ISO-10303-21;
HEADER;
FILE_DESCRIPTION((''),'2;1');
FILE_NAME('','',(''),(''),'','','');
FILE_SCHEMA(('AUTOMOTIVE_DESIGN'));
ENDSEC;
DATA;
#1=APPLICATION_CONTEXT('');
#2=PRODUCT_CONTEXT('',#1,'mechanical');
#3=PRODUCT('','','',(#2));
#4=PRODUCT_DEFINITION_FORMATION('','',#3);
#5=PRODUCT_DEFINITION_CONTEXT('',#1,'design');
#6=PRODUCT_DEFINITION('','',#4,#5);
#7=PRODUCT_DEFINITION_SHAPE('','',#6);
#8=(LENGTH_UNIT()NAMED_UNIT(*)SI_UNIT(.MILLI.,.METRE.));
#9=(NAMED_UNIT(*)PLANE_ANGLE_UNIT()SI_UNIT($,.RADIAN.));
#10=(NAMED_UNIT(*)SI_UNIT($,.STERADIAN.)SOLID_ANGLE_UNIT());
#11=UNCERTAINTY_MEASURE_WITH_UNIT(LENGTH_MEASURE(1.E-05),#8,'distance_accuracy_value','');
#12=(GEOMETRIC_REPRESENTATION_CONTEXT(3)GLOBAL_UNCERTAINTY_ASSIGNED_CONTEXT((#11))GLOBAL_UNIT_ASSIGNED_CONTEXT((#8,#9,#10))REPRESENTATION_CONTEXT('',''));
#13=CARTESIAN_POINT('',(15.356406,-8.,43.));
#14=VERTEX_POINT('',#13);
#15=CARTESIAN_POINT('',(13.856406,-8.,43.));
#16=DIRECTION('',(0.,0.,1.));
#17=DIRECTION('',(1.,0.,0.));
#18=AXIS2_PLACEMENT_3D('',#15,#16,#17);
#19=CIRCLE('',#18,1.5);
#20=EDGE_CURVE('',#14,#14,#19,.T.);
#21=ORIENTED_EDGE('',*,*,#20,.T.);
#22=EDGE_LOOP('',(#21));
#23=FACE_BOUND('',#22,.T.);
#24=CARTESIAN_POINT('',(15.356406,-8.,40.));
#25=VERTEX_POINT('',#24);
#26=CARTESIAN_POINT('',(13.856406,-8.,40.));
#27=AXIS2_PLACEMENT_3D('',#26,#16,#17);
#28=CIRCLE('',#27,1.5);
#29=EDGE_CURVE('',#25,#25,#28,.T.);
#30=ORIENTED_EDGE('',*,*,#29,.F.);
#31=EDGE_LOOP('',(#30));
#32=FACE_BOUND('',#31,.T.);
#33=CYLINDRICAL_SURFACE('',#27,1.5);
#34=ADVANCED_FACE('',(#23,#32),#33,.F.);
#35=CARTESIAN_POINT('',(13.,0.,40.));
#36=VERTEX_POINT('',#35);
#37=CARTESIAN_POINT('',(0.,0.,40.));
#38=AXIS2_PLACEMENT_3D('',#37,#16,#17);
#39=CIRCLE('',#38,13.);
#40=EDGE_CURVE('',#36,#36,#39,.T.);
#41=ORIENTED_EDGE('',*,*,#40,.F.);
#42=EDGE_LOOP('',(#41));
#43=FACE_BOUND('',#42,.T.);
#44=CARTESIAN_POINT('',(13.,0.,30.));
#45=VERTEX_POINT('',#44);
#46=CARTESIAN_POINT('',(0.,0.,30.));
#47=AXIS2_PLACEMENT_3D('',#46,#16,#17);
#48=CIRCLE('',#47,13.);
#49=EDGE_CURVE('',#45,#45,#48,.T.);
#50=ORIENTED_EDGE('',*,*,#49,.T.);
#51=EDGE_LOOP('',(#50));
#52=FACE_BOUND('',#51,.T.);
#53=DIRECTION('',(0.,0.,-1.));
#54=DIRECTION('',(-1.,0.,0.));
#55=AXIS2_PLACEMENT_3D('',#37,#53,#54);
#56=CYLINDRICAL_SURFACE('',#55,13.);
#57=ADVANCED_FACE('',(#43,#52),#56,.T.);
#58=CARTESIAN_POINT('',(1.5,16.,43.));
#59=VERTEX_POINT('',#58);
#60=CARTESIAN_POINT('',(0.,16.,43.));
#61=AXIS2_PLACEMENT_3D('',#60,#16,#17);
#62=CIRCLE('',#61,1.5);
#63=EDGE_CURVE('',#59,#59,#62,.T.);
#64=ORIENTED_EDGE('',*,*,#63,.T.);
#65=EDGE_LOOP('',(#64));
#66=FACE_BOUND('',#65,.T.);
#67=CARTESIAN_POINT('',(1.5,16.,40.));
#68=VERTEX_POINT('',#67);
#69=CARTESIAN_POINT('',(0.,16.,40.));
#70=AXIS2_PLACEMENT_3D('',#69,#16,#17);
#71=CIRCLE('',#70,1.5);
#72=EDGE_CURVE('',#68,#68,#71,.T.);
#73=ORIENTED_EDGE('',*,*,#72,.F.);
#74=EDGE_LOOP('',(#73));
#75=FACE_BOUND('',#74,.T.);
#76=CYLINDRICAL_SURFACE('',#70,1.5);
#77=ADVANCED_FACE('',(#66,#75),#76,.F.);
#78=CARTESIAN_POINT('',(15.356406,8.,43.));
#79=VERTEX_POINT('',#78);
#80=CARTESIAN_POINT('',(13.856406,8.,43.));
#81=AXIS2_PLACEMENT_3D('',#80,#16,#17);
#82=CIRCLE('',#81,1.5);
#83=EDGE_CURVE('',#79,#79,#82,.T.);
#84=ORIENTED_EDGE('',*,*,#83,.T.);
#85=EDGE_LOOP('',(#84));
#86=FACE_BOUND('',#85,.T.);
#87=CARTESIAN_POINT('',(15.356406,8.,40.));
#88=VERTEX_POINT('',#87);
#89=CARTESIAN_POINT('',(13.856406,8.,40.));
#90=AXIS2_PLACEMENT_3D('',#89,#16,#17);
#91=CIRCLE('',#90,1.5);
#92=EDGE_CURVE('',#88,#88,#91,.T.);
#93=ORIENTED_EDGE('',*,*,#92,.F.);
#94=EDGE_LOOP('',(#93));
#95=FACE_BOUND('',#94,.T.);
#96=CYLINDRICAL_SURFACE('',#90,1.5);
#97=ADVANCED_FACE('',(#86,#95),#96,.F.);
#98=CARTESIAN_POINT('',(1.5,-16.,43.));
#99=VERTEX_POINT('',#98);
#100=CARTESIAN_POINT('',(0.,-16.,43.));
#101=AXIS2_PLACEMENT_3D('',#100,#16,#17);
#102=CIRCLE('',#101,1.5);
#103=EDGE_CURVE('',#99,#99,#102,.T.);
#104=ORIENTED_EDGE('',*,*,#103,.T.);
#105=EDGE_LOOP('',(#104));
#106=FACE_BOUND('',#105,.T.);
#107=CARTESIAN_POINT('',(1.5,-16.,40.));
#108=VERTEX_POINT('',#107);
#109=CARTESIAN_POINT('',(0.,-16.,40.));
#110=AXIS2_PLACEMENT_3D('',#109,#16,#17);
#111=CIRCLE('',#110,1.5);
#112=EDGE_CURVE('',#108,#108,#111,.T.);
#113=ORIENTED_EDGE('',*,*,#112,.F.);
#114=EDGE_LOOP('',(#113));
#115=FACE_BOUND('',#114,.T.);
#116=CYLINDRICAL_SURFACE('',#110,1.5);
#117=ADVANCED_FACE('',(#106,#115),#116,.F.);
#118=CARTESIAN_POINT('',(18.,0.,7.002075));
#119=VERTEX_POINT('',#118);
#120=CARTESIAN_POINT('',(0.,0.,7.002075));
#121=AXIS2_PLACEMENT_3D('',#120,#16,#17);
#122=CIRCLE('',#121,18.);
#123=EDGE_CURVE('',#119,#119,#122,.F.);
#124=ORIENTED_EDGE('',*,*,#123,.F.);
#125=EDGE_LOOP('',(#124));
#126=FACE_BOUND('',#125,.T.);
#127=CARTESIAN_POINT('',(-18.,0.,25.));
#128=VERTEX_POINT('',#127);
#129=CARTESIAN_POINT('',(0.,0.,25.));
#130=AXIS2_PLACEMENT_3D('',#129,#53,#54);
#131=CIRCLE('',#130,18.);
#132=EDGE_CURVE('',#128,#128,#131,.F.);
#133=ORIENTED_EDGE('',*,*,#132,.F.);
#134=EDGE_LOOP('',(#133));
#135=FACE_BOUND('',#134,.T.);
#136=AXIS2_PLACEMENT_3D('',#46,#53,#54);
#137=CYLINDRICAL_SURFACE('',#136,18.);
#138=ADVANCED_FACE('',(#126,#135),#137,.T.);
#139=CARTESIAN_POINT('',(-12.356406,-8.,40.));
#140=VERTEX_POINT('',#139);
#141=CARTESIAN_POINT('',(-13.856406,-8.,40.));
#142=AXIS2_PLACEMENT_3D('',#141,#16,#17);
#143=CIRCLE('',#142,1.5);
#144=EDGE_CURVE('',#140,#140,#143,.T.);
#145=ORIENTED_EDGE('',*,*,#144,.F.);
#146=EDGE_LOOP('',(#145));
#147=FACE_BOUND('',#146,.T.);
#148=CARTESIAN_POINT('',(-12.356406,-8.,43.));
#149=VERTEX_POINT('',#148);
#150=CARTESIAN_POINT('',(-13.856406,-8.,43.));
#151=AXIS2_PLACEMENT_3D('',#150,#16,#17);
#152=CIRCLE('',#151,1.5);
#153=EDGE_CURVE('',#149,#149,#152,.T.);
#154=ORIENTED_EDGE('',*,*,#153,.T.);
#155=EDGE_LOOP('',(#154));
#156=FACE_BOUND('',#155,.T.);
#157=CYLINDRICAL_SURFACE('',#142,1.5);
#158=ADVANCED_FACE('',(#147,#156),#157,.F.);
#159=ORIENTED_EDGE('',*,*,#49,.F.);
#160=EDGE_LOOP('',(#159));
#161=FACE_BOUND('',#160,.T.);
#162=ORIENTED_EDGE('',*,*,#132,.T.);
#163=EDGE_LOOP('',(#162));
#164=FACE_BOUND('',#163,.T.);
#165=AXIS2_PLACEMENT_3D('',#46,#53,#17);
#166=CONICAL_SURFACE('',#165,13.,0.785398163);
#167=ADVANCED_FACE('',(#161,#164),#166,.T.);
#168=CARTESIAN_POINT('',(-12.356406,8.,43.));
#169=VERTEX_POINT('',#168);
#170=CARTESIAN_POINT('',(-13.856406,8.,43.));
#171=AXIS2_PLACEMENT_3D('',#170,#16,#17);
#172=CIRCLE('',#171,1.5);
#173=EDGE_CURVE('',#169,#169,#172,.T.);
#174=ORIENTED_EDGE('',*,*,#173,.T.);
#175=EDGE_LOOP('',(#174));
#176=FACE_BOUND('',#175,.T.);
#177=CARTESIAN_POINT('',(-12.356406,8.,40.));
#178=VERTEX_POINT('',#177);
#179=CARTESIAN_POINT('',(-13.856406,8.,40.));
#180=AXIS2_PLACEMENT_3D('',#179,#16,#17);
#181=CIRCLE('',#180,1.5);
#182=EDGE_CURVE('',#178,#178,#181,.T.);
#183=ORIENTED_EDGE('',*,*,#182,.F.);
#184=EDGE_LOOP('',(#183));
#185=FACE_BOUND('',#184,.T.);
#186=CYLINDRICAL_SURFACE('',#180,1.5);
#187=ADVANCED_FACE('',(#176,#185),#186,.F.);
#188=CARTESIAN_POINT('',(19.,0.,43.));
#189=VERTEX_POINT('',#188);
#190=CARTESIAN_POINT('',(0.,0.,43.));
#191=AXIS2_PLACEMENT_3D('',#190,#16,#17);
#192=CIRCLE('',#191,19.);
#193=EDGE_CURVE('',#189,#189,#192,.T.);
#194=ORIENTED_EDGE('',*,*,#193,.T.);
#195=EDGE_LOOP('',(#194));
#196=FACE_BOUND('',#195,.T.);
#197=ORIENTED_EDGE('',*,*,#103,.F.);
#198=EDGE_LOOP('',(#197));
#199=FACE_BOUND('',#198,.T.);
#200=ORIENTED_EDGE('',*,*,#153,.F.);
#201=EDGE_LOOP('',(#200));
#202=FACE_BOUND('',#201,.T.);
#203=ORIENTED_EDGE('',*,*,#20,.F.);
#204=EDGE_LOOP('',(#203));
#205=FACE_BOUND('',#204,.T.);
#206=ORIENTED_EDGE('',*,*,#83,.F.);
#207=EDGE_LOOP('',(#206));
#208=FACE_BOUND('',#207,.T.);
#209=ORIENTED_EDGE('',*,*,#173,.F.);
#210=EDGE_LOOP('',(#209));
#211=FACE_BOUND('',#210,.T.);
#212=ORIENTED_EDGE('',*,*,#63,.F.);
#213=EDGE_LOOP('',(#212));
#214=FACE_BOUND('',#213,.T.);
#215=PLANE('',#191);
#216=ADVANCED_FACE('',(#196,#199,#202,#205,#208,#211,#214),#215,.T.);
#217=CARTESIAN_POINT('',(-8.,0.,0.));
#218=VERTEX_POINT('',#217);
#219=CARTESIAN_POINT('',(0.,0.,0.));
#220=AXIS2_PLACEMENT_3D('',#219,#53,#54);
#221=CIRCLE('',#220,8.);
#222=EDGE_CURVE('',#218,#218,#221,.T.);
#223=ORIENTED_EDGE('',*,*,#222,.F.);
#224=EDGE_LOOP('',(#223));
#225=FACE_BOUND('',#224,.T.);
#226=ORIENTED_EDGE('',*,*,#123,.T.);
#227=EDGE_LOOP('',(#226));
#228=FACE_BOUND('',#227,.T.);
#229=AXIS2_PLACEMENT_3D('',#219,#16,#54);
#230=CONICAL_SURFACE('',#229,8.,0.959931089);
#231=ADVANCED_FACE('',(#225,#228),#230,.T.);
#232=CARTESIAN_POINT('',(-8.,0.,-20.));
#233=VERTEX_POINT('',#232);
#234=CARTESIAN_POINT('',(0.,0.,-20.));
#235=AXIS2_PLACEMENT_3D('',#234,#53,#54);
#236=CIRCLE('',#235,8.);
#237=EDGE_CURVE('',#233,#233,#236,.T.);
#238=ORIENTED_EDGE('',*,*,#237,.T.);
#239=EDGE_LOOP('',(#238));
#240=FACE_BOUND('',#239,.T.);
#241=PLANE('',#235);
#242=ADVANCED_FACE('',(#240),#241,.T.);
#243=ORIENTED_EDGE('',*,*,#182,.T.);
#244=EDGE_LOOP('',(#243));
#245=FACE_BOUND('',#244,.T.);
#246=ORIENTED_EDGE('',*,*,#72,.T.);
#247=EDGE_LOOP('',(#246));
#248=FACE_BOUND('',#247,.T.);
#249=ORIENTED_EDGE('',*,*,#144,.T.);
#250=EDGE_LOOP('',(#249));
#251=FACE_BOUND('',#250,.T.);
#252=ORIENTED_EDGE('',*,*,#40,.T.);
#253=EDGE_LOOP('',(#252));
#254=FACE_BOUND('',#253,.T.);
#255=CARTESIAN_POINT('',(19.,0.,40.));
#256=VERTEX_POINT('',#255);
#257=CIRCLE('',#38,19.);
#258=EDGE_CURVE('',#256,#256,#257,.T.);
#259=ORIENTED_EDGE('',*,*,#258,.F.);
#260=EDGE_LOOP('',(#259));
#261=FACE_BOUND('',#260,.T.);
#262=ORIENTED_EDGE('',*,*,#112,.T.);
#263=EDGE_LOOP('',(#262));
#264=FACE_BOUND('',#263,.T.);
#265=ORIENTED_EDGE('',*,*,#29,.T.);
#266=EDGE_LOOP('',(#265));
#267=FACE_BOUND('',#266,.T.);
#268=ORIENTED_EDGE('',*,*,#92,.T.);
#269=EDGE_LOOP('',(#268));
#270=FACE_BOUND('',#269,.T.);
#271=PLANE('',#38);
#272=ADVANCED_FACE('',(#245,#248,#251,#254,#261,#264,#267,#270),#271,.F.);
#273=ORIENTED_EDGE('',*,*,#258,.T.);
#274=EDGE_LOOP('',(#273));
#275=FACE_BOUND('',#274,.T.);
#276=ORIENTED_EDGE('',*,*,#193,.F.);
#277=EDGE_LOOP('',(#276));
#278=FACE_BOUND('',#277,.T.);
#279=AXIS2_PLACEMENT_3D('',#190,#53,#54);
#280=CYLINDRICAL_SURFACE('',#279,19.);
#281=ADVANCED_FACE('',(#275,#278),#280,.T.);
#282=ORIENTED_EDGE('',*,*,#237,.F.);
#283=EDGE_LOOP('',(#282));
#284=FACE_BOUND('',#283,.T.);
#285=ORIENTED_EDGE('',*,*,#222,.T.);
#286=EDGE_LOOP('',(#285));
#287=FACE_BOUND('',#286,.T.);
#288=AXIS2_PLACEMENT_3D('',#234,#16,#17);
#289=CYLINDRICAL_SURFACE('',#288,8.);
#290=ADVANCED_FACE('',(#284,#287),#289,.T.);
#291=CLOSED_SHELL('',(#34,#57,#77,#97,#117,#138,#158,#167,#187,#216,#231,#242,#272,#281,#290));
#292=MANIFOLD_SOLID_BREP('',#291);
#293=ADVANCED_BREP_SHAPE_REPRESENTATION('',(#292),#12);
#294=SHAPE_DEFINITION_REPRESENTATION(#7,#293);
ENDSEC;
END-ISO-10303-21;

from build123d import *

# Parameters (mm, degrees)
CROQUIS2_R              = 18
SALIENTE_EXTRUIR1_DEPTH = 30
CROQUIS3_R              = 13
SALIENTE_EXTRUIR3_DEPTH = 10
CROQUIS5_R              = 8
SALIENTE_EXTRUIR4_DEPTH = 20
CROQUIS6_OUTSIDE_W      = 69.738
CROQUIS6_OUTSIDE_H      = 69.738
CROQUIS6_OUTSIDE_R      = 13
CORTAR_EXTRUIR2_DEPTH   = 8
CORTAR_EXTRUIR2_DRAFT   = -45
CROQUIS7_OUTSIDE_W      = 76.588
CROQUIS7_OUTSIDE_H      = 76.588
CROQUIS7_OUTSIDE_R      = 8
CORTAR_EXTRUIR5_DEPTH   = 8
CORTAR_EXTRUIR5_DRAFT   = -55
CROQUIS8_R              = 19
SALIENTE_EXTRUIR5_DEPTH = 3
CROQUIS9_R              = 1.5
CORTAR_EXTRUIR6_DEPTH   = 3


with BuildPart() as part:
    # Croquis2 → Saliente-Extruir1 (new body)
    with BuildSketch(Plane.XY):
        Circle(CROQUIS2_R)
    extrude(amount=SALIENTE_EXTRUIR1_DEPTH)

    # Croquis3 → Saliente-Extruir3 (add)
    with BuildSketch(Plane.XY.offset(30)):
        Circle(CROQUIS3_R)
    extrude(amount=SALIENTE_EXTRUIR3_DEPTH)

    # Croquis5 → Saliente-Extruir4 (add)
    with BuildSketch(Plane(origin=(0, 0, 0), x_dir=(-1, 0, 0), z_dir=(0, 0, -1))):
        Circle(CROQUIS5_R)
    extrude(amount=SALIENTE_EXTRUIR4_DEPTH)


with BuildPart() as cortar_extruir2_tool:
    # Croquis6 outside → Cortar-Extruir2 (with draft: the straight prism first)
    with BuildSketch(Plane.XY.offset(30)):
        Rectangle(CROQUIS6_OUTSIDE_W, CROQUIS6_OUTSIDE_H)
        Circle(CROQUIS6_OUTSIDE_R, mode=Mode.SUBTRACT)
    extrude(amount=-CORTAR_EXTRUIR2_DEPTH)
    # Cortar-Extruir2: the draft: its side faces are tilted about the plane it starts from
    cortar_extruir2_sides = [cortar_extruir2_tool.faces().sort_by_distance(p)[0] for p in [
        (0, -34.869, 26),
        (34.869, 0, 26),
        (0, 34.869, 26),
        (-34.869, 0, 26),
        (-13, 0, 26),
    ]]
    draft(cortar_extruir2_sides, Plane.XY.offset(30), CORTAR_EXTRUIR2_DRAFT)


with BuildPart() as part_1:
    add(part.part)

    # Cortar-Extruir2: cut by cortar_extruir2_tool
    add(cortar_extruir2_tool.part, mode=Mode.SUBTRACT)


with BuildPart() as cortar_extruir5_tool:
    # Croquis7 outside → Cortar-Extruir5 (with draft: the straight prism first)
    with BuildSketch(Plane(origin=(0, 0, 0), x_dir=(-1, 0, 0), z_dir=(0, 0, -1))):
        Rectangle(CROQUIS7_OUTSIDE_W, CROQUIS7_OUTSIDE_H)
        Circle(CROQUIS7_OUTSIDE_R, mode=Mode.SUBTRACT)
    extrude(amount=-CORTAR_EXTRUIR5_DEPTH)
    # Cortar-Extruir5: the draft: its side faces are tilted about the plane it starts from
    cortar_extruir5_sides = [cortar_extruir5_tool.faces().sort_by_distance(p)[0] for p in [
        (0, -38.294, 4),
        (-38.294, 0, 4),
        (0, 38.294, 4),
        (38.294, 0, 4),
        (8, 0, 4),
    ]]
    draft(cortar_extruir5_sides, Plane(origin=(0, 0, 0), x_dir=(-1, 0, 0), z_dir=(0, 0, -1)), CORTAR_EXTRUIR5_DRAFT)


with BuildPart() as part_2:
    add(part_1.part)

    # Cortar-Extruir5: cut by cortar_extruir5_tool
    add(cortar_extruir5_tool.part, mode=Mode.SUBTRACT)

    # Croquis8 → Saliente-Extruir5 (add)
    with BuildSketch(Plane.XY.offset(40)):
        Circle(CROQUIS8_R)
    extrude(amount=SALIENTE_EXTRUIR5_DEPTH)

    # Croquis9 → Cortar-Extruir6 (cut)
    with BuildSketch(Plane.XY.offset(43)):
        with Locations((0, 16)):
            Circle(CROQUIS9_R)
        with Locations((13.856406461, 8)):
            Circle(CROQUIS9_R)
        with Locations((13.856406461, -8)):
            Circle(CROQUIS9_R)
        with Locations((0, -16)):
            Circle(CROQUIS9_R)
        with Locations((-13.856406461, -8)):
            Circle(CROQUIS9_R)
        with Locations((-13.856406461, 8)):
            Circle(CROQUIS9_R)
    extrude(amount=-CORTAR_EXTRUIR6_DEPTH, mode=Mode.SUBTRACT)


solid = part_2.part
